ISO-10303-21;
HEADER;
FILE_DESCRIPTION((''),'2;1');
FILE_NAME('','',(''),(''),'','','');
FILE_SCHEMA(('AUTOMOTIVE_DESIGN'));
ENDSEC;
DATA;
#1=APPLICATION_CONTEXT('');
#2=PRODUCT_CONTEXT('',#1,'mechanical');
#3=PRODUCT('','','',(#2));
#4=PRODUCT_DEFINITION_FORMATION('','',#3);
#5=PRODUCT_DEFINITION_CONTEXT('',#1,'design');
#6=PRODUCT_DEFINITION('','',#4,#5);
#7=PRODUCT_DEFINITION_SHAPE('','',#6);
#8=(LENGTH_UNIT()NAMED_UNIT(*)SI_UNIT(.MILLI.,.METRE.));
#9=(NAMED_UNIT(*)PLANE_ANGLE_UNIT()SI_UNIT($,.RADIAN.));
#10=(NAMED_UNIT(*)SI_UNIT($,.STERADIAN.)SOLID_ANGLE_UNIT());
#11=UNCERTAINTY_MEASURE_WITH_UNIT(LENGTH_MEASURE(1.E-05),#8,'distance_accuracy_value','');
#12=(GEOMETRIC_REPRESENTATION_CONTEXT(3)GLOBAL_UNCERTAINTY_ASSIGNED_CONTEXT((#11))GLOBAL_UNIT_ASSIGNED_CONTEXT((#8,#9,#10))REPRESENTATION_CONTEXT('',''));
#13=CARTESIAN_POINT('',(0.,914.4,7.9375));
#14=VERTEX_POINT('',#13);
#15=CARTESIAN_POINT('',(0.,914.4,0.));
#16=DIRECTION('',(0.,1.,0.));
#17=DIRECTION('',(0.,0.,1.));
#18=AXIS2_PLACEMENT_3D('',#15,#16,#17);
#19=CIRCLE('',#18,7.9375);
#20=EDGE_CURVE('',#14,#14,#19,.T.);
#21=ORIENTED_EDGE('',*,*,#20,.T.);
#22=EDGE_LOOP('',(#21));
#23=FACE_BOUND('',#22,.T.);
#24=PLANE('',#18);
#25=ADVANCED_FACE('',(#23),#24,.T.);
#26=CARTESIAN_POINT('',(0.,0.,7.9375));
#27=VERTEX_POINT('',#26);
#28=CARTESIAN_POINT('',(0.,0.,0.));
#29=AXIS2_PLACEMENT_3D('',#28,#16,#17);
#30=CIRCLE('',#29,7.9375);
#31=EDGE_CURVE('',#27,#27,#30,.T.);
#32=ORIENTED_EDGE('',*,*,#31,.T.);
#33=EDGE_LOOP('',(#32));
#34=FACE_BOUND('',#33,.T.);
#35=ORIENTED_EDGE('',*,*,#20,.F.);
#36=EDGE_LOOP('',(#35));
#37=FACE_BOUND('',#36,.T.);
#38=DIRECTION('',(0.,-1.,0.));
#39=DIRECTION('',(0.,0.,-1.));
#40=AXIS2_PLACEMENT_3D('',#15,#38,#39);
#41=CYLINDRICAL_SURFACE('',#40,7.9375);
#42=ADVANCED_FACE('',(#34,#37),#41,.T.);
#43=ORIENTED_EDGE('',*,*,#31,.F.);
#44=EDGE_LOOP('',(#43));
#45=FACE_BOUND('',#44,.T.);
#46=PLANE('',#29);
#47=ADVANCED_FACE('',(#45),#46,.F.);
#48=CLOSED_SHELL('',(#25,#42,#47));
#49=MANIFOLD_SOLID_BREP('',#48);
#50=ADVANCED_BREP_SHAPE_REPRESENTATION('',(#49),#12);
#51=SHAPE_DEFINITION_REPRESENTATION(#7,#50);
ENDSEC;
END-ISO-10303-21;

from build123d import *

# Parameters (mm, degrees)
SKETCH1_R           = 7.9375
BOSS_EXTRUDE1_DEPTH = 914.4


with BuildPart() as part:
    # Sketch1 → Boss-Extrude1 (new body)
    with BuildSketch(Plane(origin=(0, 0, 0), x_dir=(1, 0, 0), z_dir=(0, 1, 0))):
        Circle(SKETCH1_R)
    extrude(amount=BOSS_EXTRUDE1_DEPTH)


solid = part.part
